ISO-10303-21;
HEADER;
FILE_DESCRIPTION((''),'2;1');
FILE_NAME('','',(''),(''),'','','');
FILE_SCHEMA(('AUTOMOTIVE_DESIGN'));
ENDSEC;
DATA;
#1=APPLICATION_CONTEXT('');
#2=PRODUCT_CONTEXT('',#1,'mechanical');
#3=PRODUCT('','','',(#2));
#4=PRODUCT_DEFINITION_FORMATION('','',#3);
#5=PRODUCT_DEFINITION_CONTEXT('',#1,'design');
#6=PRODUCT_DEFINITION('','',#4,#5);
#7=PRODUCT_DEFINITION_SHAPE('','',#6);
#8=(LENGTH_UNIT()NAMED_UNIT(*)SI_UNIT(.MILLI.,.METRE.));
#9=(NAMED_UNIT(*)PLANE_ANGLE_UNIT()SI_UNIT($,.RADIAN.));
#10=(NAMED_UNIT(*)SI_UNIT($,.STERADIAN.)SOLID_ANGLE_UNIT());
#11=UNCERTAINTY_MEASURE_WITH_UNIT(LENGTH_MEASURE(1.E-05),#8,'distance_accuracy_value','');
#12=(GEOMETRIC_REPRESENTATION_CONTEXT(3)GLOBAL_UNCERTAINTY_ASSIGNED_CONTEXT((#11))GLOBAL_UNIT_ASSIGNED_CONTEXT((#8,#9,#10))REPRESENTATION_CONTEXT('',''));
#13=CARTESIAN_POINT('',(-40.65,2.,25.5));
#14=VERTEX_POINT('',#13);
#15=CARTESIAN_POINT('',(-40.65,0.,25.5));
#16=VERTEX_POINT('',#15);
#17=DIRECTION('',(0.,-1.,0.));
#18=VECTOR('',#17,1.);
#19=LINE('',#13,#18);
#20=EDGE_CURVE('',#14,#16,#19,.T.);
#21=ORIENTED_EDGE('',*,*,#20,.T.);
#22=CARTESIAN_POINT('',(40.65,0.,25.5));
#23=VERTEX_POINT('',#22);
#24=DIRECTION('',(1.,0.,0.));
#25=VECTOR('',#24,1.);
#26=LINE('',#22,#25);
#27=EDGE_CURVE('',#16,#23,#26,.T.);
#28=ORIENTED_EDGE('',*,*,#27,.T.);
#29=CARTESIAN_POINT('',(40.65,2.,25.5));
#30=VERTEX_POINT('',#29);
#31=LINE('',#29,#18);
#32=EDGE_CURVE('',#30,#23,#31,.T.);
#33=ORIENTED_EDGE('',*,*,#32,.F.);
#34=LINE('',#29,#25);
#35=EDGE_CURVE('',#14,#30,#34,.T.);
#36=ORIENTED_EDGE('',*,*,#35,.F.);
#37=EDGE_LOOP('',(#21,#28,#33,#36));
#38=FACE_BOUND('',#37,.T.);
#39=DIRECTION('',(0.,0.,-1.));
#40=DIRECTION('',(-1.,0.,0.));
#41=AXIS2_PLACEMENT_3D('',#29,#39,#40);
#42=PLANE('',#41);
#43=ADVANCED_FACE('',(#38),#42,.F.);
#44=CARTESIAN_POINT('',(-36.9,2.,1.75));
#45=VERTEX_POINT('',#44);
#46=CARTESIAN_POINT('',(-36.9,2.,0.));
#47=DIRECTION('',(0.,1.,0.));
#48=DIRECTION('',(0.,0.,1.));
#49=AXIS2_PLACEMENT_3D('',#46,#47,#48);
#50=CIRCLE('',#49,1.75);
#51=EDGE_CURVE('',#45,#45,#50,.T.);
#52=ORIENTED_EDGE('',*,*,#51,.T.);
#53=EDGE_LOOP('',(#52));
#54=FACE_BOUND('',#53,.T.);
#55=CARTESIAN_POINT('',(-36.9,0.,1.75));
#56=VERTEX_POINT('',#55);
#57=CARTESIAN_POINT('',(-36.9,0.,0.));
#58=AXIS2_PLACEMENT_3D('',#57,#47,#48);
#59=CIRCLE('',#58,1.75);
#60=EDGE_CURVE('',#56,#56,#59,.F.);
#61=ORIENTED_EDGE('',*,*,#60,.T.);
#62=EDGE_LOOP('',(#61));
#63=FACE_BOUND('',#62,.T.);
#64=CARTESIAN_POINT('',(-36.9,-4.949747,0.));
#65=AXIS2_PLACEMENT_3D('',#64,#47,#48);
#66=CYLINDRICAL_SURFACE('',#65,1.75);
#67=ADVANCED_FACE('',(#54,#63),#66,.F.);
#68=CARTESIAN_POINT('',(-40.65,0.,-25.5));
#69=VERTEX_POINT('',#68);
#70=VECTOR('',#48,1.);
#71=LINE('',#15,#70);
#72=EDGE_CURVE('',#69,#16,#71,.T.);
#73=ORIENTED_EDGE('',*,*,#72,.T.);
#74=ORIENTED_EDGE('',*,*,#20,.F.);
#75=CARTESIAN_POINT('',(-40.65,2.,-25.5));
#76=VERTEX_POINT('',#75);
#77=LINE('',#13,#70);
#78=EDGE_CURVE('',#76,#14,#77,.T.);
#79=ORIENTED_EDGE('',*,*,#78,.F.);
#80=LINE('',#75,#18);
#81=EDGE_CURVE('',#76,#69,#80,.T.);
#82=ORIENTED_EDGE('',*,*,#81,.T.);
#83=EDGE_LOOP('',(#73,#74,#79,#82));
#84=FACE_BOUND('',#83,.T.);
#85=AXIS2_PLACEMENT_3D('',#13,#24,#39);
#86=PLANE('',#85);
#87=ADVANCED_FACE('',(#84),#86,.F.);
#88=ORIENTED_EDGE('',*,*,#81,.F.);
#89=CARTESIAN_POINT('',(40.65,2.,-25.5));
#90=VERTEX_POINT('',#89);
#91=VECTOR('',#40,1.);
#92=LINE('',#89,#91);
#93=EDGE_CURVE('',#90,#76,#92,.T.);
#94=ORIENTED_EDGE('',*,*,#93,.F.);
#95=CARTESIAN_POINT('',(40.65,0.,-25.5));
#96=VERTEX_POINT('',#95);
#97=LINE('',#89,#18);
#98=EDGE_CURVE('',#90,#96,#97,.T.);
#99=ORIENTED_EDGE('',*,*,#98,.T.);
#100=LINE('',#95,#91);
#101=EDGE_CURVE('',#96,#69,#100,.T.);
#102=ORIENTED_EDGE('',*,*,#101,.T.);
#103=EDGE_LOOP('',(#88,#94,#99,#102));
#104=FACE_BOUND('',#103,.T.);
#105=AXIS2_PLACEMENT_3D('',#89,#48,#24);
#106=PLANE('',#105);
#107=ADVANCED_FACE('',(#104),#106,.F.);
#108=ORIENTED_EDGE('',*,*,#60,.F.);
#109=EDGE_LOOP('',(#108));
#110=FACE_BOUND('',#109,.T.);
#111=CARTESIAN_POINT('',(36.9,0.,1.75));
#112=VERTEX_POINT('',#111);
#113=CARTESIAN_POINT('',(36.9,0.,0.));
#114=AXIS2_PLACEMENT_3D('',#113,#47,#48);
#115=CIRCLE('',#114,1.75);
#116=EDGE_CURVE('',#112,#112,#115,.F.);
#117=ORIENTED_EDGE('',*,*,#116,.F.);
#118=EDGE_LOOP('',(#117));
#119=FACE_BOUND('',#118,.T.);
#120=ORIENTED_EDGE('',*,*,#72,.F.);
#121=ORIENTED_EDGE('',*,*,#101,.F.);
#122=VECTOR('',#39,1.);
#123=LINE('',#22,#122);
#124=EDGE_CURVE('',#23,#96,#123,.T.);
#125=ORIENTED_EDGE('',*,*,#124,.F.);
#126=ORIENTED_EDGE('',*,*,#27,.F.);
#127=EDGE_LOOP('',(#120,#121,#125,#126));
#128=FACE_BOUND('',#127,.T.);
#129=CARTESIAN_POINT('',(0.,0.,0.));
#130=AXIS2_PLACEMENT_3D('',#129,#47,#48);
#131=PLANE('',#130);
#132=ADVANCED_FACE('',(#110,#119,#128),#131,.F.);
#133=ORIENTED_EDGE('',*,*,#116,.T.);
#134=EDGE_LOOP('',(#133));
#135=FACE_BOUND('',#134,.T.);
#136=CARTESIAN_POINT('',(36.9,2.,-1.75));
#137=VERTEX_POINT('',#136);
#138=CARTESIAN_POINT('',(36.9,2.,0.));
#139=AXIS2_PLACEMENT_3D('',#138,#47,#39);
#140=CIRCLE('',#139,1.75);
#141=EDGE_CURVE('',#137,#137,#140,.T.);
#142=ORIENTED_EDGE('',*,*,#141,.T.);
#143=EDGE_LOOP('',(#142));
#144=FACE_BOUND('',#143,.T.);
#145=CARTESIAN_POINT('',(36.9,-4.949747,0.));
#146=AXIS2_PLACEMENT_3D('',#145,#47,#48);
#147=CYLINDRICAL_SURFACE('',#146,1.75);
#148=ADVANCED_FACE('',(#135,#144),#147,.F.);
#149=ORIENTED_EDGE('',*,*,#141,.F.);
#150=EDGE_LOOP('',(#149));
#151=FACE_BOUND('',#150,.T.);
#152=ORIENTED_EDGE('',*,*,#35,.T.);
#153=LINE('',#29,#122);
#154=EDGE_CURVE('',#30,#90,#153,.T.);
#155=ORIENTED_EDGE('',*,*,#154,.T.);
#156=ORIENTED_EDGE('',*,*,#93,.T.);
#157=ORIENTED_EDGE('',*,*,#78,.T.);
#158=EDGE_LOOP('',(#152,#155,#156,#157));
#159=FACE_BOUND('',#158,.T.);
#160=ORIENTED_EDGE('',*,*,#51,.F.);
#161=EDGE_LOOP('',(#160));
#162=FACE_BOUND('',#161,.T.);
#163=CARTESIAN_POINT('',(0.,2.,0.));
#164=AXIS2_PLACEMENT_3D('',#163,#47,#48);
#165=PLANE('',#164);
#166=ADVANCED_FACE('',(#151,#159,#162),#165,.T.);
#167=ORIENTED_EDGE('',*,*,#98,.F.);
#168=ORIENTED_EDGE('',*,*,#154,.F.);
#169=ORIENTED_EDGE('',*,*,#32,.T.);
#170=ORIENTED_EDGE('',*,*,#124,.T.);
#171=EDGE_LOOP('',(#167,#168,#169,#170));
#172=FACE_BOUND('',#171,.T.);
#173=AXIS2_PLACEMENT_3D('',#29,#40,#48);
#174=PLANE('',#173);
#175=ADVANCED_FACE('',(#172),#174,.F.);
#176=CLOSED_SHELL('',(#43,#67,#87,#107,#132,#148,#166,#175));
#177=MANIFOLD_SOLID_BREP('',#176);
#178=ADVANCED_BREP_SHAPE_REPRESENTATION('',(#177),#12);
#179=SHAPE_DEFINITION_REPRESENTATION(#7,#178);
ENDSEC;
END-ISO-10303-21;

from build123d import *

# Parameters (mm, degrees)
SKETCH1_W           = 81.3
SKETCH1_H           = 51
BOSS_EXTRUDE1_DEPTH = 2
SKETCH2_R           = 1.75
CUT_EXTRUDE1_DEPTH  = 2


with BuildPart() as part:
    # Sketch1 → Boss-Extrude1 (new body)
    with BuildSketch(Plane(origin=(0, 0, 0), x_dir=(1, 0, 0), z_dir=(0, 1, 0))):
        Rectangle(SKETCH1_W, SKETCH1_H)
    extrude(amount=BOSS_EXTRUDE1_DEPTH)

    # Sketch2 → Cut-Extrude1 (cut)
    with BuildSketch(Plane(origin=(0, 2, 0), x_dir=(1, 0, 0), z_dir=(0, 1, 0))):
        with Locations((-36.9, 0)):
            Circle(SKETCH2_R)
        with Locations((36.9, 0)):
            Circle(SKETCH2_R)
    extrude(amount=-CUT_EXTRUDE1_DEPTH, mode=Mode.SUBTRACT)


solid = part.part
